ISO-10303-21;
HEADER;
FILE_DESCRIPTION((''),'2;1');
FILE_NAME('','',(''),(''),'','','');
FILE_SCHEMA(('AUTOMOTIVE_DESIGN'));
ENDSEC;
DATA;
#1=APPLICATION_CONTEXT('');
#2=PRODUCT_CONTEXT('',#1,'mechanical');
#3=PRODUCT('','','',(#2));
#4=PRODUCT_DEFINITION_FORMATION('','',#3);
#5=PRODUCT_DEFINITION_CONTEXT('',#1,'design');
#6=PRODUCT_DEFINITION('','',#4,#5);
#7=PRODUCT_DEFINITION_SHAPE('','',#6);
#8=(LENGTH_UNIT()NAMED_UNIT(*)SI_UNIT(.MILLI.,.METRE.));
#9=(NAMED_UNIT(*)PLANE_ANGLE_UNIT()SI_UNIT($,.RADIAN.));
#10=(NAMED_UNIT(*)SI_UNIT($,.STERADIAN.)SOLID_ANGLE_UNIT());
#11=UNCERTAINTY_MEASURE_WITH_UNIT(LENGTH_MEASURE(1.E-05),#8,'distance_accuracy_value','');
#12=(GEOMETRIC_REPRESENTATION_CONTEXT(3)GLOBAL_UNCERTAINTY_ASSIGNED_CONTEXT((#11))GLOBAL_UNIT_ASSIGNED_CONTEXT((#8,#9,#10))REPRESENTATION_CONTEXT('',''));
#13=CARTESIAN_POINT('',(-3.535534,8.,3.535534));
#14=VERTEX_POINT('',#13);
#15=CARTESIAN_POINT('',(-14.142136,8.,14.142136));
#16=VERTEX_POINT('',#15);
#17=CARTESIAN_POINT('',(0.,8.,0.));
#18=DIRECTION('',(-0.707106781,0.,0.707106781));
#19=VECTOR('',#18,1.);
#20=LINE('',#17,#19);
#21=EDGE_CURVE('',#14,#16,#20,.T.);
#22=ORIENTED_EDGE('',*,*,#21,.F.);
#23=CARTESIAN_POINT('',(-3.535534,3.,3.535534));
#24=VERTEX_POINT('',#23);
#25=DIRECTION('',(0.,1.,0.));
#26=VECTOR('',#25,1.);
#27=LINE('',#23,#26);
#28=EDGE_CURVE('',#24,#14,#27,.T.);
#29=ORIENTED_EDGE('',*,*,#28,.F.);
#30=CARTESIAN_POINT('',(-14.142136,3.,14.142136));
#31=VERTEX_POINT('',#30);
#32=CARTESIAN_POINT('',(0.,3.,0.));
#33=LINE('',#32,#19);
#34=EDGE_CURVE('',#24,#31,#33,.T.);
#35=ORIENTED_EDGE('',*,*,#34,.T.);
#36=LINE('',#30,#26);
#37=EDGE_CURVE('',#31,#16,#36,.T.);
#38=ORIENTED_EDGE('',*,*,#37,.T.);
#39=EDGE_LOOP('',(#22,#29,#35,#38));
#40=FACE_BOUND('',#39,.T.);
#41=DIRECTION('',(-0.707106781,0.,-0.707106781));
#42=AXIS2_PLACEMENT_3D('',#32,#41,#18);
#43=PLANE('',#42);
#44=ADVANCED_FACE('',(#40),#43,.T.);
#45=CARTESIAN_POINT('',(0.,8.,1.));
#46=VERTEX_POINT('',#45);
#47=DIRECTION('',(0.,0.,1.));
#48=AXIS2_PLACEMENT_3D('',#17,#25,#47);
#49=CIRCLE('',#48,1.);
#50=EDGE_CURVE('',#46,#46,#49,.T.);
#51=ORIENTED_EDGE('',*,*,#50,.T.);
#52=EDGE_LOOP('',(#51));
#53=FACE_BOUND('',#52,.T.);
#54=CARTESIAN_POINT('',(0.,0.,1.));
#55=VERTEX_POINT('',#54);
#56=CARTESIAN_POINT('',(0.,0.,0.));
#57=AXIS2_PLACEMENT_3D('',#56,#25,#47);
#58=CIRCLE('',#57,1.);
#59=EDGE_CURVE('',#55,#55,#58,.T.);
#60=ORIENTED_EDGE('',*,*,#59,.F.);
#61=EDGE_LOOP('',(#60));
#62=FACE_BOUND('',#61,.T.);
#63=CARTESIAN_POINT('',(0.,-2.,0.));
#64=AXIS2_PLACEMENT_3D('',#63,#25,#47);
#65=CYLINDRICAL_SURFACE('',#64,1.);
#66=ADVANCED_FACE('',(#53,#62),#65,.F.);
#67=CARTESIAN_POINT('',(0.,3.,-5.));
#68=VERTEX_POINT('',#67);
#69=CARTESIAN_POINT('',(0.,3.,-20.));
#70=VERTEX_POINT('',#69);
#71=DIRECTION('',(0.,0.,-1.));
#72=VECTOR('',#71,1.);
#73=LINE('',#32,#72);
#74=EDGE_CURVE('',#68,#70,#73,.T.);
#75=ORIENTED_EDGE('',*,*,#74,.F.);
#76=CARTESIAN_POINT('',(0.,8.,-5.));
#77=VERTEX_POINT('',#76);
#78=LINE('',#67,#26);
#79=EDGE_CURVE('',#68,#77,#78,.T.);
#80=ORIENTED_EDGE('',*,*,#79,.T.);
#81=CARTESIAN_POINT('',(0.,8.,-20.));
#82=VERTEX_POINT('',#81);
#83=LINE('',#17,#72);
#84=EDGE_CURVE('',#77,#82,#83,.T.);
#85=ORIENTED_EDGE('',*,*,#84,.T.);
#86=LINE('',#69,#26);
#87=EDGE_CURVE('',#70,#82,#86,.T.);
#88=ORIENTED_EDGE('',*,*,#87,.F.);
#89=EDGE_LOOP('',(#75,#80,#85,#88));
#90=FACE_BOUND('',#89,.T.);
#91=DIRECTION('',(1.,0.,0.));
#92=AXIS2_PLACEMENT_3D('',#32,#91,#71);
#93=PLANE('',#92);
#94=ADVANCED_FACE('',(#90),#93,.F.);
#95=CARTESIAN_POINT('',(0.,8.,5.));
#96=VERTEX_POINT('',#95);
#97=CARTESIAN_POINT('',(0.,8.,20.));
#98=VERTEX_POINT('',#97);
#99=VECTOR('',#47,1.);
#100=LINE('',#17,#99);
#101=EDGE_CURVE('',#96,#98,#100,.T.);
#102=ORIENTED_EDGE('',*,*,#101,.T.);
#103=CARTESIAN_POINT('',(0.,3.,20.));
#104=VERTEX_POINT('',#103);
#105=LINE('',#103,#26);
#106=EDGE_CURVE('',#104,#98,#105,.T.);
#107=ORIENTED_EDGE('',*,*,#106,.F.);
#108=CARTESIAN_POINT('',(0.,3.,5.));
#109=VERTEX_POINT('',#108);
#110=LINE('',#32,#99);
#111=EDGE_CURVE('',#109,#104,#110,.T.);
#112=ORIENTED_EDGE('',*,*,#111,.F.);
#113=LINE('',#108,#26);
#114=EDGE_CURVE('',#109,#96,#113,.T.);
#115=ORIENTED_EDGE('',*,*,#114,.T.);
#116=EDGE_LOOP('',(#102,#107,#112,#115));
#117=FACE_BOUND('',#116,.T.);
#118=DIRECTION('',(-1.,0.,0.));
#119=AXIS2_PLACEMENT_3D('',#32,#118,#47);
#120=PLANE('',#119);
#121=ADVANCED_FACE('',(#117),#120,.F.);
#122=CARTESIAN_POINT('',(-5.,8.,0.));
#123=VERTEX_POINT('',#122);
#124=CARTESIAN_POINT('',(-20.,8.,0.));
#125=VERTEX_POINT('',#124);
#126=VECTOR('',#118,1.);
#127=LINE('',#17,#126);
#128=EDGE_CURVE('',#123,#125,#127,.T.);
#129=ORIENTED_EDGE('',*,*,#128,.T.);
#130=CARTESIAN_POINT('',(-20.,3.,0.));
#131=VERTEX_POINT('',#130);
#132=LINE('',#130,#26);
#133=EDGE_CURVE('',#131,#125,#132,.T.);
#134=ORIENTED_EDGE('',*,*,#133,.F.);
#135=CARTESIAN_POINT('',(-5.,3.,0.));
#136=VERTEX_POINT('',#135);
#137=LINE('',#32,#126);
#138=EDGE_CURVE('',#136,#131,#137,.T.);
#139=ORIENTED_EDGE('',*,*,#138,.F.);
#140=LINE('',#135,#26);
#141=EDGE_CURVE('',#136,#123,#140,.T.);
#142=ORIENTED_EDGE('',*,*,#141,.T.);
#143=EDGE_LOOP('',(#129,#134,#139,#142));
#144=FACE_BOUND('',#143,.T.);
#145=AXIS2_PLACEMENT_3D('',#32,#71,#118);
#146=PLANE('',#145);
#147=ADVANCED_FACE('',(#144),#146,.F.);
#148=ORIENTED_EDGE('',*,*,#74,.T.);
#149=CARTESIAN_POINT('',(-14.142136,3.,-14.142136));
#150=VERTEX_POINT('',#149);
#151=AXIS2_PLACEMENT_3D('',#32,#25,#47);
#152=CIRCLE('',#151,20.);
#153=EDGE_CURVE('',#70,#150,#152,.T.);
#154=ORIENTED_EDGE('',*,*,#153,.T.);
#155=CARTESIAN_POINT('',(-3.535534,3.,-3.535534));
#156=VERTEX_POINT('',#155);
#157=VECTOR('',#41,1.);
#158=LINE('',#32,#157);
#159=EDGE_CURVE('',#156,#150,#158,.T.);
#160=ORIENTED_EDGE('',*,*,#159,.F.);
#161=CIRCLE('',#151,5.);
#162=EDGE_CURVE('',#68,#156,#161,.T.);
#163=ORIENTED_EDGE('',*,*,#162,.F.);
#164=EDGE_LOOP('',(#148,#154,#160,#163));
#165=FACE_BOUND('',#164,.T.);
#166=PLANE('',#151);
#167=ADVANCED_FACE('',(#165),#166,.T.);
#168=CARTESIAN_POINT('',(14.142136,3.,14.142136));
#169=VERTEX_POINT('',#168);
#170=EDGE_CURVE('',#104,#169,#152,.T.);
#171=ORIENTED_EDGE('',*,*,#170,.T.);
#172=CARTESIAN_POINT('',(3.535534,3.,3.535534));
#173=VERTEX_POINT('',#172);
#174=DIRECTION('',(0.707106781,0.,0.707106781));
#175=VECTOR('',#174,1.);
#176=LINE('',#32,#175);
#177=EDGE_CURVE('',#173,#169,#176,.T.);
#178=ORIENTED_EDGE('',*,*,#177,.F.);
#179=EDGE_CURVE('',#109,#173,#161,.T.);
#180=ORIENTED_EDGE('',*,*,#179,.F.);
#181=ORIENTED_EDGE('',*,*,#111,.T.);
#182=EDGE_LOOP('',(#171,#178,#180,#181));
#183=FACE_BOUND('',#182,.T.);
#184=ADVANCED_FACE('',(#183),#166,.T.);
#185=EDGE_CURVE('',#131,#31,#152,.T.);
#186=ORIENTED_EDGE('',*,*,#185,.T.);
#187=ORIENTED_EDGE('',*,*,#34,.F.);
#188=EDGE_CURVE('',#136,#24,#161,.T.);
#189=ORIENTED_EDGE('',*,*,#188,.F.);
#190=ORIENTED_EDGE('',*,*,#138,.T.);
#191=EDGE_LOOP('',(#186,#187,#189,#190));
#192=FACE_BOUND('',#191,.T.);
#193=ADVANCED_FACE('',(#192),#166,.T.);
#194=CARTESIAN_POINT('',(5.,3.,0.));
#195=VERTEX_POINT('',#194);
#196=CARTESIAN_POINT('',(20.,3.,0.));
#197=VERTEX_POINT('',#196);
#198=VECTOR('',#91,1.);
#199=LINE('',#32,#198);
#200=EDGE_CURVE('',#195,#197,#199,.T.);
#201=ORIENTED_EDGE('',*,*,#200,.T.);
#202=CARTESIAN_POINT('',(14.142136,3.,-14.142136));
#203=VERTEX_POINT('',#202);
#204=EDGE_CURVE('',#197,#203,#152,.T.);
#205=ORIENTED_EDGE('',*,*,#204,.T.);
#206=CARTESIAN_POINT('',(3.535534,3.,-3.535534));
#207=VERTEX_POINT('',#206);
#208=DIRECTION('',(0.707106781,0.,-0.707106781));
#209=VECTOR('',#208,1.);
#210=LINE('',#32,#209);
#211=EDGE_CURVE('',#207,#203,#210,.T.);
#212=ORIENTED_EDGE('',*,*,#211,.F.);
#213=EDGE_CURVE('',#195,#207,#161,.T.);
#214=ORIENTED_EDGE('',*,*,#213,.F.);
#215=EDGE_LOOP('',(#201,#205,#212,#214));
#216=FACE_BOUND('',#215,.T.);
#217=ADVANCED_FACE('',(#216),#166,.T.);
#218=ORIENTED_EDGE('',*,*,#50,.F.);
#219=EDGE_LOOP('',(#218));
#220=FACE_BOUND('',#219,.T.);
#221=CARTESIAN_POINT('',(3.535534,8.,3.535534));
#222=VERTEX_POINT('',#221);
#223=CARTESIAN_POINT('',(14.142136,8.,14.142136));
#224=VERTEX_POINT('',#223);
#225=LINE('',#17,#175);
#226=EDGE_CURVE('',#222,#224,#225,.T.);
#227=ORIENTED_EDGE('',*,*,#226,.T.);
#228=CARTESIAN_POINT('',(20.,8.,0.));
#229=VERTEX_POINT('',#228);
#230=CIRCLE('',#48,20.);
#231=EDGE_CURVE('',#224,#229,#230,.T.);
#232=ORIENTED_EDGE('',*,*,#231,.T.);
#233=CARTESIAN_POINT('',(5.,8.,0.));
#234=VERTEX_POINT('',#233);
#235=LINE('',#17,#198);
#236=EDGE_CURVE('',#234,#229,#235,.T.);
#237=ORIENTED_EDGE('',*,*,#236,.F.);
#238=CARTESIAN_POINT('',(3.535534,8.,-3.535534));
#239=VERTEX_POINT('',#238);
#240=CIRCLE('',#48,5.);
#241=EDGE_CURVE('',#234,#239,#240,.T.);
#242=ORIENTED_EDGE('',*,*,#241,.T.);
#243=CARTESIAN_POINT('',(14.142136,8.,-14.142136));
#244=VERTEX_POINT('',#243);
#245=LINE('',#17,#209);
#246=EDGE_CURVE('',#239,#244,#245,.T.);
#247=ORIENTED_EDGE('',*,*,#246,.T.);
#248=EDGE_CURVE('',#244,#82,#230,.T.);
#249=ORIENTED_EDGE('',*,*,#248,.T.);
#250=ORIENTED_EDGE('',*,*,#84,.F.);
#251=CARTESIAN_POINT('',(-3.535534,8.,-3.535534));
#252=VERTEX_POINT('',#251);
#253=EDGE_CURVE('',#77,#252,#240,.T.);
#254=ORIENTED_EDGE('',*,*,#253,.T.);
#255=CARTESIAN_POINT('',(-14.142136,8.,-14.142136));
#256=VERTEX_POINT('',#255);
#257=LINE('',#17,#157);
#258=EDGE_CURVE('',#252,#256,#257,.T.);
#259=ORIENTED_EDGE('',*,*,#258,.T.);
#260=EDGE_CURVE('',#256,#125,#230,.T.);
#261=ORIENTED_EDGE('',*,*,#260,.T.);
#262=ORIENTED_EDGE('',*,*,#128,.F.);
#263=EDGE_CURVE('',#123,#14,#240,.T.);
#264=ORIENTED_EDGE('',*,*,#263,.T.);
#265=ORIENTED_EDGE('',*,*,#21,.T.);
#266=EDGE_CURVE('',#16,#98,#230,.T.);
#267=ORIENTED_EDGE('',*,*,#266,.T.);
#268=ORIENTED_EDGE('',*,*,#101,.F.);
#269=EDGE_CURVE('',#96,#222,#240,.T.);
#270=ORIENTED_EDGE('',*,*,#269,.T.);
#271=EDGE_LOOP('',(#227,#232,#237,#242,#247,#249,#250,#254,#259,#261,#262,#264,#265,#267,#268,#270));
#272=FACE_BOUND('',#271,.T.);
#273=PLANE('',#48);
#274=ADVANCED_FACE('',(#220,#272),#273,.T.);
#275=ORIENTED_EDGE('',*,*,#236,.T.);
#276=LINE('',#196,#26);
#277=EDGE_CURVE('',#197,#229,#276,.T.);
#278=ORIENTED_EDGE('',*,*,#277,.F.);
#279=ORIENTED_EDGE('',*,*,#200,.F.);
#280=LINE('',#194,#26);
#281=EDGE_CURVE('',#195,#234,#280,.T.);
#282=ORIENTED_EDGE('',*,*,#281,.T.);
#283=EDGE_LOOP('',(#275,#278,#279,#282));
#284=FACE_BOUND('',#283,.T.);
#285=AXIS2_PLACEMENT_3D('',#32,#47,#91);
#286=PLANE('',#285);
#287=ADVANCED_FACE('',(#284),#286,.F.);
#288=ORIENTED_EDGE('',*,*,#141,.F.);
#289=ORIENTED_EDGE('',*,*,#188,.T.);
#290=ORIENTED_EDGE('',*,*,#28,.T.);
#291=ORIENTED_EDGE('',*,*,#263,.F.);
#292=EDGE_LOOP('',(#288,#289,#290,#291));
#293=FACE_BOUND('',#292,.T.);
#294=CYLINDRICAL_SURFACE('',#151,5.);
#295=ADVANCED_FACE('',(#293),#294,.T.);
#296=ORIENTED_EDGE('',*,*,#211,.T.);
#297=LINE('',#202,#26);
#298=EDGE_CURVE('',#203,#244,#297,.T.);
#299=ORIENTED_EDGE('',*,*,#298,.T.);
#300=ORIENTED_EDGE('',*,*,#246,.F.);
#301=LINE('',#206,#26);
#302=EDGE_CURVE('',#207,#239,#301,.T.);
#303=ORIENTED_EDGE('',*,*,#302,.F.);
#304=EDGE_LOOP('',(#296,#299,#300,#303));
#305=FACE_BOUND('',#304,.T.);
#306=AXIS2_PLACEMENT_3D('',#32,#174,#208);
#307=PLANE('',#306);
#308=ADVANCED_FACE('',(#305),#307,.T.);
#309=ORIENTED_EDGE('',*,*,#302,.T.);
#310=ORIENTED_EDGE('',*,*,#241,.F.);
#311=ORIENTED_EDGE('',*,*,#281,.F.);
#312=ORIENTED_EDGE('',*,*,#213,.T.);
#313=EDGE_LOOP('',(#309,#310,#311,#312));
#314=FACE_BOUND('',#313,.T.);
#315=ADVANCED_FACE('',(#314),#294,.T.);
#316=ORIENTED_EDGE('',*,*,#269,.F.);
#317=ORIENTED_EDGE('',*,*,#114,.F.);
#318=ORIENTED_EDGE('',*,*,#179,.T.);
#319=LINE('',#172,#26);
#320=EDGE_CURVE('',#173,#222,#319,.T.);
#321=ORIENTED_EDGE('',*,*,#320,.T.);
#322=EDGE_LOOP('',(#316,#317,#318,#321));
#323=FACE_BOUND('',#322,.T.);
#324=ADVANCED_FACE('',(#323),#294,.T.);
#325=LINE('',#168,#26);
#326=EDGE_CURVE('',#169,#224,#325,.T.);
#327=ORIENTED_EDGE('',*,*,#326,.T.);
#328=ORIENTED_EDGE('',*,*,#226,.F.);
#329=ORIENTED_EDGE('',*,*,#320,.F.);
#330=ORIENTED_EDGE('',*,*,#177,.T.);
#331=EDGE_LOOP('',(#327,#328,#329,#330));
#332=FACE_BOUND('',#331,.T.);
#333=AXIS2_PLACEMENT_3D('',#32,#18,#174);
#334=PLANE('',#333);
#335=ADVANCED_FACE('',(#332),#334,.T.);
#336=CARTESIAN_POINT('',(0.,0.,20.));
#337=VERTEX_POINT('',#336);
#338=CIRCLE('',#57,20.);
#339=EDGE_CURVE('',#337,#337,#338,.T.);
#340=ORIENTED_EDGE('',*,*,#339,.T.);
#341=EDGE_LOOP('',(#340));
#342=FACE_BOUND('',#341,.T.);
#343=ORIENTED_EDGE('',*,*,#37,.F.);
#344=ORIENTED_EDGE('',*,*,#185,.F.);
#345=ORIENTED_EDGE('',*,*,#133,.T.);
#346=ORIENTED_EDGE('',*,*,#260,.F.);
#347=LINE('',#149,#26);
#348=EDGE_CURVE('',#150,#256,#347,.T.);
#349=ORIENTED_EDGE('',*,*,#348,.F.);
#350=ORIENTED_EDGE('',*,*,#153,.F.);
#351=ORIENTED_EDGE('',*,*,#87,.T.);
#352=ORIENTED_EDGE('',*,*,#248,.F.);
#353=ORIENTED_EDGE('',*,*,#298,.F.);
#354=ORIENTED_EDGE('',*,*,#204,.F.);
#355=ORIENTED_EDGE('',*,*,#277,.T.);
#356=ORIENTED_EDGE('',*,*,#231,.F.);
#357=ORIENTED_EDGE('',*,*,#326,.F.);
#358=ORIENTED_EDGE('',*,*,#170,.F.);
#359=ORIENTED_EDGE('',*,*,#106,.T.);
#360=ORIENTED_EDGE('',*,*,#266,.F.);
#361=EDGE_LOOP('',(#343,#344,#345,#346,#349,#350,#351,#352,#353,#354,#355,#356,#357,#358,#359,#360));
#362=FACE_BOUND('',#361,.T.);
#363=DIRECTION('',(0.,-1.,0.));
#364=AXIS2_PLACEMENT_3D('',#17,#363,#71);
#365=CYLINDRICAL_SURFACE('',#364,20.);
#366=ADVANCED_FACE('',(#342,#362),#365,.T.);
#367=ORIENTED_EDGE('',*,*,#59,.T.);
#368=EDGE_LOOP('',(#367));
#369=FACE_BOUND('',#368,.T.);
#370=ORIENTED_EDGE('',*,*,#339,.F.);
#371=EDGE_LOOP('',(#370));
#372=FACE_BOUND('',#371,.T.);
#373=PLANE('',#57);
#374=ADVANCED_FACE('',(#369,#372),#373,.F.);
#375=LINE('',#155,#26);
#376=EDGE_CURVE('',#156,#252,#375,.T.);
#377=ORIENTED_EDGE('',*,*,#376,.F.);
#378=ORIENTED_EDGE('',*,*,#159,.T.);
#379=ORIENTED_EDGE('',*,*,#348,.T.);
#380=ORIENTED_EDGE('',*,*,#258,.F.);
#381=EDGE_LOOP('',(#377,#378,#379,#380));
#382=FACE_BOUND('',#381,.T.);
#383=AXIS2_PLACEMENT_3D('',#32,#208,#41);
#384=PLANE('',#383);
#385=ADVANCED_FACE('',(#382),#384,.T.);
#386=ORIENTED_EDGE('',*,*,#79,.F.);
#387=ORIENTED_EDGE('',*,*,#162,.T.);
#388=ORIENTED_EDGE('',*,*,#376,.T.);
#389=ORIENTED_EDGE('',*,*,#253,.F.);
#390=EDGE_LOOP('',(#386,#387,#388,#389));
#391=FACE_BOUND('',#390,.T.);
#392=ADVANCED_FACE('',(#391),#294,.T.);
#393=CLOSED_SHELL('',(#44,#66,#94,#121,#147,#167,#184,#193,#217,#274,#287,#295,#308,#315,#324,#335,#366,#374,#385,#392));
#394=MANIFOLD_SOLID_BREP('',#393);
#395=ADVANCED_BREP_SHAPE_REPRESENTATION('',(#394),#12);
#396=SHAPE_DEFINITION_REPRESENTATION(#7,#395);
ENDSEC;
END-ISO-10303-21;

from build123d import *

# Parameters (mm, degrees)
SKETCH1_R                             = 20
EXTRUDE_MECHANISM_PART_2_DEPTH        = 8
CUT_START                             = -5
CUT_MECHANSIM_PART_2_DEPTH            = 5
SKETCH3_R                             = 1
HOLE_FOR_SCREW_MECHANSIM_PART_2_DEPTH = 10


with BuildPart() as part:
    # Sketch1 → Extrude (Mechanism Part 2) (new body)
    with BuildSketch(Plane(origin=(0, 0, 0), x_dir=(1, 0, 0), z_dir=(0, 1, 0))):
        with Locations(Location((0, 0, 0), (0, 0, 270))):
            Circle(SKETCH1_R)
    extrude(amount=EXTRUDE_MECHANISM_PART_2_DEPTH)

    # Sketch2 → Cut (Mechansim Part 2) (cut)
    with BuildSketch(Plane(origin=(0, 8, 0), x_dir=(1, 0, 0), z_dir=(0, 1, 0)).offset(CUT_START)):
        with BuildLine():
            ThreePointArc((-3.535533906, 3.535533906), (-1.913417162, 4.619397663), (0, 5))
            Line((0, 5), (0, 20))
            ThreePointArc((0, 20), (-7.653668647, 18.47759065), (-14.142135624, 14.142135624))
            Line((-14.142135624, 14.142135624), (-3.535533906, 3.535533906))
        make_face()
        with BuildLine():
            ThreePointArc((-3.535533906, -3.535533906), (-4.619397663, -1.913417162), (-5, 0))
            Line((-5, 0), (-20, 0))
            ThreePointArc((-20, 0), (-18.47759065, -7.653668647), (-14.142135624, -14.142135624))
            Line((-14.142135624, -14.142135624), (-3.535533906, -3.535533906))
        make_face()
        with BuildLine():
            ThreePointArc((3.535533906, -3.535533906), (1.913417162, -4.619397663), (0, -5))
            Line((0, -5), (0, -20))
            ThreePointArc((0, -20), (7.653668647, -18.47759065), (14.142135624, -14.142135624))
            Line((14.142135624, -14.142135624), (3.535533906, -3.535533906))
        make_face()
        with BuildLine():
            ThreePointArc((3.535533906, 3.535533906), (4.619397663, 1.913417162), (5, 0))
            Line((5, 0), (20, 0))
            ThreePointArc((20, 0), (18.47759065, 7.653668647), (14.142135624, 14.142135624))
            Line((14.142135624, 14.142135624), (3.535533906, 3.535533906))
        make_face()
    extrude(amount=CUT_MECHANSIM_PART_2_DEPTH, mode=Mode.SUBTRACT)

    # Sketch3 → Hole for Screw (Mechansim Part 2) (cut)
    with BuildSketch(Plane(origin=(0, 8, 0), x_dir=(1, 0, 0), z_dir=(0, 1, 0))):
        with Locations(Location((0, 0, 0), (0, 0, 270))):
            Circle(SKETCH3_R)
    extrude(amount=-HOLE_FOR_SCREW_MECHANSIM_PART_2_DEPTH, mode=Mode.SUBTRACT)


solid = part.part
